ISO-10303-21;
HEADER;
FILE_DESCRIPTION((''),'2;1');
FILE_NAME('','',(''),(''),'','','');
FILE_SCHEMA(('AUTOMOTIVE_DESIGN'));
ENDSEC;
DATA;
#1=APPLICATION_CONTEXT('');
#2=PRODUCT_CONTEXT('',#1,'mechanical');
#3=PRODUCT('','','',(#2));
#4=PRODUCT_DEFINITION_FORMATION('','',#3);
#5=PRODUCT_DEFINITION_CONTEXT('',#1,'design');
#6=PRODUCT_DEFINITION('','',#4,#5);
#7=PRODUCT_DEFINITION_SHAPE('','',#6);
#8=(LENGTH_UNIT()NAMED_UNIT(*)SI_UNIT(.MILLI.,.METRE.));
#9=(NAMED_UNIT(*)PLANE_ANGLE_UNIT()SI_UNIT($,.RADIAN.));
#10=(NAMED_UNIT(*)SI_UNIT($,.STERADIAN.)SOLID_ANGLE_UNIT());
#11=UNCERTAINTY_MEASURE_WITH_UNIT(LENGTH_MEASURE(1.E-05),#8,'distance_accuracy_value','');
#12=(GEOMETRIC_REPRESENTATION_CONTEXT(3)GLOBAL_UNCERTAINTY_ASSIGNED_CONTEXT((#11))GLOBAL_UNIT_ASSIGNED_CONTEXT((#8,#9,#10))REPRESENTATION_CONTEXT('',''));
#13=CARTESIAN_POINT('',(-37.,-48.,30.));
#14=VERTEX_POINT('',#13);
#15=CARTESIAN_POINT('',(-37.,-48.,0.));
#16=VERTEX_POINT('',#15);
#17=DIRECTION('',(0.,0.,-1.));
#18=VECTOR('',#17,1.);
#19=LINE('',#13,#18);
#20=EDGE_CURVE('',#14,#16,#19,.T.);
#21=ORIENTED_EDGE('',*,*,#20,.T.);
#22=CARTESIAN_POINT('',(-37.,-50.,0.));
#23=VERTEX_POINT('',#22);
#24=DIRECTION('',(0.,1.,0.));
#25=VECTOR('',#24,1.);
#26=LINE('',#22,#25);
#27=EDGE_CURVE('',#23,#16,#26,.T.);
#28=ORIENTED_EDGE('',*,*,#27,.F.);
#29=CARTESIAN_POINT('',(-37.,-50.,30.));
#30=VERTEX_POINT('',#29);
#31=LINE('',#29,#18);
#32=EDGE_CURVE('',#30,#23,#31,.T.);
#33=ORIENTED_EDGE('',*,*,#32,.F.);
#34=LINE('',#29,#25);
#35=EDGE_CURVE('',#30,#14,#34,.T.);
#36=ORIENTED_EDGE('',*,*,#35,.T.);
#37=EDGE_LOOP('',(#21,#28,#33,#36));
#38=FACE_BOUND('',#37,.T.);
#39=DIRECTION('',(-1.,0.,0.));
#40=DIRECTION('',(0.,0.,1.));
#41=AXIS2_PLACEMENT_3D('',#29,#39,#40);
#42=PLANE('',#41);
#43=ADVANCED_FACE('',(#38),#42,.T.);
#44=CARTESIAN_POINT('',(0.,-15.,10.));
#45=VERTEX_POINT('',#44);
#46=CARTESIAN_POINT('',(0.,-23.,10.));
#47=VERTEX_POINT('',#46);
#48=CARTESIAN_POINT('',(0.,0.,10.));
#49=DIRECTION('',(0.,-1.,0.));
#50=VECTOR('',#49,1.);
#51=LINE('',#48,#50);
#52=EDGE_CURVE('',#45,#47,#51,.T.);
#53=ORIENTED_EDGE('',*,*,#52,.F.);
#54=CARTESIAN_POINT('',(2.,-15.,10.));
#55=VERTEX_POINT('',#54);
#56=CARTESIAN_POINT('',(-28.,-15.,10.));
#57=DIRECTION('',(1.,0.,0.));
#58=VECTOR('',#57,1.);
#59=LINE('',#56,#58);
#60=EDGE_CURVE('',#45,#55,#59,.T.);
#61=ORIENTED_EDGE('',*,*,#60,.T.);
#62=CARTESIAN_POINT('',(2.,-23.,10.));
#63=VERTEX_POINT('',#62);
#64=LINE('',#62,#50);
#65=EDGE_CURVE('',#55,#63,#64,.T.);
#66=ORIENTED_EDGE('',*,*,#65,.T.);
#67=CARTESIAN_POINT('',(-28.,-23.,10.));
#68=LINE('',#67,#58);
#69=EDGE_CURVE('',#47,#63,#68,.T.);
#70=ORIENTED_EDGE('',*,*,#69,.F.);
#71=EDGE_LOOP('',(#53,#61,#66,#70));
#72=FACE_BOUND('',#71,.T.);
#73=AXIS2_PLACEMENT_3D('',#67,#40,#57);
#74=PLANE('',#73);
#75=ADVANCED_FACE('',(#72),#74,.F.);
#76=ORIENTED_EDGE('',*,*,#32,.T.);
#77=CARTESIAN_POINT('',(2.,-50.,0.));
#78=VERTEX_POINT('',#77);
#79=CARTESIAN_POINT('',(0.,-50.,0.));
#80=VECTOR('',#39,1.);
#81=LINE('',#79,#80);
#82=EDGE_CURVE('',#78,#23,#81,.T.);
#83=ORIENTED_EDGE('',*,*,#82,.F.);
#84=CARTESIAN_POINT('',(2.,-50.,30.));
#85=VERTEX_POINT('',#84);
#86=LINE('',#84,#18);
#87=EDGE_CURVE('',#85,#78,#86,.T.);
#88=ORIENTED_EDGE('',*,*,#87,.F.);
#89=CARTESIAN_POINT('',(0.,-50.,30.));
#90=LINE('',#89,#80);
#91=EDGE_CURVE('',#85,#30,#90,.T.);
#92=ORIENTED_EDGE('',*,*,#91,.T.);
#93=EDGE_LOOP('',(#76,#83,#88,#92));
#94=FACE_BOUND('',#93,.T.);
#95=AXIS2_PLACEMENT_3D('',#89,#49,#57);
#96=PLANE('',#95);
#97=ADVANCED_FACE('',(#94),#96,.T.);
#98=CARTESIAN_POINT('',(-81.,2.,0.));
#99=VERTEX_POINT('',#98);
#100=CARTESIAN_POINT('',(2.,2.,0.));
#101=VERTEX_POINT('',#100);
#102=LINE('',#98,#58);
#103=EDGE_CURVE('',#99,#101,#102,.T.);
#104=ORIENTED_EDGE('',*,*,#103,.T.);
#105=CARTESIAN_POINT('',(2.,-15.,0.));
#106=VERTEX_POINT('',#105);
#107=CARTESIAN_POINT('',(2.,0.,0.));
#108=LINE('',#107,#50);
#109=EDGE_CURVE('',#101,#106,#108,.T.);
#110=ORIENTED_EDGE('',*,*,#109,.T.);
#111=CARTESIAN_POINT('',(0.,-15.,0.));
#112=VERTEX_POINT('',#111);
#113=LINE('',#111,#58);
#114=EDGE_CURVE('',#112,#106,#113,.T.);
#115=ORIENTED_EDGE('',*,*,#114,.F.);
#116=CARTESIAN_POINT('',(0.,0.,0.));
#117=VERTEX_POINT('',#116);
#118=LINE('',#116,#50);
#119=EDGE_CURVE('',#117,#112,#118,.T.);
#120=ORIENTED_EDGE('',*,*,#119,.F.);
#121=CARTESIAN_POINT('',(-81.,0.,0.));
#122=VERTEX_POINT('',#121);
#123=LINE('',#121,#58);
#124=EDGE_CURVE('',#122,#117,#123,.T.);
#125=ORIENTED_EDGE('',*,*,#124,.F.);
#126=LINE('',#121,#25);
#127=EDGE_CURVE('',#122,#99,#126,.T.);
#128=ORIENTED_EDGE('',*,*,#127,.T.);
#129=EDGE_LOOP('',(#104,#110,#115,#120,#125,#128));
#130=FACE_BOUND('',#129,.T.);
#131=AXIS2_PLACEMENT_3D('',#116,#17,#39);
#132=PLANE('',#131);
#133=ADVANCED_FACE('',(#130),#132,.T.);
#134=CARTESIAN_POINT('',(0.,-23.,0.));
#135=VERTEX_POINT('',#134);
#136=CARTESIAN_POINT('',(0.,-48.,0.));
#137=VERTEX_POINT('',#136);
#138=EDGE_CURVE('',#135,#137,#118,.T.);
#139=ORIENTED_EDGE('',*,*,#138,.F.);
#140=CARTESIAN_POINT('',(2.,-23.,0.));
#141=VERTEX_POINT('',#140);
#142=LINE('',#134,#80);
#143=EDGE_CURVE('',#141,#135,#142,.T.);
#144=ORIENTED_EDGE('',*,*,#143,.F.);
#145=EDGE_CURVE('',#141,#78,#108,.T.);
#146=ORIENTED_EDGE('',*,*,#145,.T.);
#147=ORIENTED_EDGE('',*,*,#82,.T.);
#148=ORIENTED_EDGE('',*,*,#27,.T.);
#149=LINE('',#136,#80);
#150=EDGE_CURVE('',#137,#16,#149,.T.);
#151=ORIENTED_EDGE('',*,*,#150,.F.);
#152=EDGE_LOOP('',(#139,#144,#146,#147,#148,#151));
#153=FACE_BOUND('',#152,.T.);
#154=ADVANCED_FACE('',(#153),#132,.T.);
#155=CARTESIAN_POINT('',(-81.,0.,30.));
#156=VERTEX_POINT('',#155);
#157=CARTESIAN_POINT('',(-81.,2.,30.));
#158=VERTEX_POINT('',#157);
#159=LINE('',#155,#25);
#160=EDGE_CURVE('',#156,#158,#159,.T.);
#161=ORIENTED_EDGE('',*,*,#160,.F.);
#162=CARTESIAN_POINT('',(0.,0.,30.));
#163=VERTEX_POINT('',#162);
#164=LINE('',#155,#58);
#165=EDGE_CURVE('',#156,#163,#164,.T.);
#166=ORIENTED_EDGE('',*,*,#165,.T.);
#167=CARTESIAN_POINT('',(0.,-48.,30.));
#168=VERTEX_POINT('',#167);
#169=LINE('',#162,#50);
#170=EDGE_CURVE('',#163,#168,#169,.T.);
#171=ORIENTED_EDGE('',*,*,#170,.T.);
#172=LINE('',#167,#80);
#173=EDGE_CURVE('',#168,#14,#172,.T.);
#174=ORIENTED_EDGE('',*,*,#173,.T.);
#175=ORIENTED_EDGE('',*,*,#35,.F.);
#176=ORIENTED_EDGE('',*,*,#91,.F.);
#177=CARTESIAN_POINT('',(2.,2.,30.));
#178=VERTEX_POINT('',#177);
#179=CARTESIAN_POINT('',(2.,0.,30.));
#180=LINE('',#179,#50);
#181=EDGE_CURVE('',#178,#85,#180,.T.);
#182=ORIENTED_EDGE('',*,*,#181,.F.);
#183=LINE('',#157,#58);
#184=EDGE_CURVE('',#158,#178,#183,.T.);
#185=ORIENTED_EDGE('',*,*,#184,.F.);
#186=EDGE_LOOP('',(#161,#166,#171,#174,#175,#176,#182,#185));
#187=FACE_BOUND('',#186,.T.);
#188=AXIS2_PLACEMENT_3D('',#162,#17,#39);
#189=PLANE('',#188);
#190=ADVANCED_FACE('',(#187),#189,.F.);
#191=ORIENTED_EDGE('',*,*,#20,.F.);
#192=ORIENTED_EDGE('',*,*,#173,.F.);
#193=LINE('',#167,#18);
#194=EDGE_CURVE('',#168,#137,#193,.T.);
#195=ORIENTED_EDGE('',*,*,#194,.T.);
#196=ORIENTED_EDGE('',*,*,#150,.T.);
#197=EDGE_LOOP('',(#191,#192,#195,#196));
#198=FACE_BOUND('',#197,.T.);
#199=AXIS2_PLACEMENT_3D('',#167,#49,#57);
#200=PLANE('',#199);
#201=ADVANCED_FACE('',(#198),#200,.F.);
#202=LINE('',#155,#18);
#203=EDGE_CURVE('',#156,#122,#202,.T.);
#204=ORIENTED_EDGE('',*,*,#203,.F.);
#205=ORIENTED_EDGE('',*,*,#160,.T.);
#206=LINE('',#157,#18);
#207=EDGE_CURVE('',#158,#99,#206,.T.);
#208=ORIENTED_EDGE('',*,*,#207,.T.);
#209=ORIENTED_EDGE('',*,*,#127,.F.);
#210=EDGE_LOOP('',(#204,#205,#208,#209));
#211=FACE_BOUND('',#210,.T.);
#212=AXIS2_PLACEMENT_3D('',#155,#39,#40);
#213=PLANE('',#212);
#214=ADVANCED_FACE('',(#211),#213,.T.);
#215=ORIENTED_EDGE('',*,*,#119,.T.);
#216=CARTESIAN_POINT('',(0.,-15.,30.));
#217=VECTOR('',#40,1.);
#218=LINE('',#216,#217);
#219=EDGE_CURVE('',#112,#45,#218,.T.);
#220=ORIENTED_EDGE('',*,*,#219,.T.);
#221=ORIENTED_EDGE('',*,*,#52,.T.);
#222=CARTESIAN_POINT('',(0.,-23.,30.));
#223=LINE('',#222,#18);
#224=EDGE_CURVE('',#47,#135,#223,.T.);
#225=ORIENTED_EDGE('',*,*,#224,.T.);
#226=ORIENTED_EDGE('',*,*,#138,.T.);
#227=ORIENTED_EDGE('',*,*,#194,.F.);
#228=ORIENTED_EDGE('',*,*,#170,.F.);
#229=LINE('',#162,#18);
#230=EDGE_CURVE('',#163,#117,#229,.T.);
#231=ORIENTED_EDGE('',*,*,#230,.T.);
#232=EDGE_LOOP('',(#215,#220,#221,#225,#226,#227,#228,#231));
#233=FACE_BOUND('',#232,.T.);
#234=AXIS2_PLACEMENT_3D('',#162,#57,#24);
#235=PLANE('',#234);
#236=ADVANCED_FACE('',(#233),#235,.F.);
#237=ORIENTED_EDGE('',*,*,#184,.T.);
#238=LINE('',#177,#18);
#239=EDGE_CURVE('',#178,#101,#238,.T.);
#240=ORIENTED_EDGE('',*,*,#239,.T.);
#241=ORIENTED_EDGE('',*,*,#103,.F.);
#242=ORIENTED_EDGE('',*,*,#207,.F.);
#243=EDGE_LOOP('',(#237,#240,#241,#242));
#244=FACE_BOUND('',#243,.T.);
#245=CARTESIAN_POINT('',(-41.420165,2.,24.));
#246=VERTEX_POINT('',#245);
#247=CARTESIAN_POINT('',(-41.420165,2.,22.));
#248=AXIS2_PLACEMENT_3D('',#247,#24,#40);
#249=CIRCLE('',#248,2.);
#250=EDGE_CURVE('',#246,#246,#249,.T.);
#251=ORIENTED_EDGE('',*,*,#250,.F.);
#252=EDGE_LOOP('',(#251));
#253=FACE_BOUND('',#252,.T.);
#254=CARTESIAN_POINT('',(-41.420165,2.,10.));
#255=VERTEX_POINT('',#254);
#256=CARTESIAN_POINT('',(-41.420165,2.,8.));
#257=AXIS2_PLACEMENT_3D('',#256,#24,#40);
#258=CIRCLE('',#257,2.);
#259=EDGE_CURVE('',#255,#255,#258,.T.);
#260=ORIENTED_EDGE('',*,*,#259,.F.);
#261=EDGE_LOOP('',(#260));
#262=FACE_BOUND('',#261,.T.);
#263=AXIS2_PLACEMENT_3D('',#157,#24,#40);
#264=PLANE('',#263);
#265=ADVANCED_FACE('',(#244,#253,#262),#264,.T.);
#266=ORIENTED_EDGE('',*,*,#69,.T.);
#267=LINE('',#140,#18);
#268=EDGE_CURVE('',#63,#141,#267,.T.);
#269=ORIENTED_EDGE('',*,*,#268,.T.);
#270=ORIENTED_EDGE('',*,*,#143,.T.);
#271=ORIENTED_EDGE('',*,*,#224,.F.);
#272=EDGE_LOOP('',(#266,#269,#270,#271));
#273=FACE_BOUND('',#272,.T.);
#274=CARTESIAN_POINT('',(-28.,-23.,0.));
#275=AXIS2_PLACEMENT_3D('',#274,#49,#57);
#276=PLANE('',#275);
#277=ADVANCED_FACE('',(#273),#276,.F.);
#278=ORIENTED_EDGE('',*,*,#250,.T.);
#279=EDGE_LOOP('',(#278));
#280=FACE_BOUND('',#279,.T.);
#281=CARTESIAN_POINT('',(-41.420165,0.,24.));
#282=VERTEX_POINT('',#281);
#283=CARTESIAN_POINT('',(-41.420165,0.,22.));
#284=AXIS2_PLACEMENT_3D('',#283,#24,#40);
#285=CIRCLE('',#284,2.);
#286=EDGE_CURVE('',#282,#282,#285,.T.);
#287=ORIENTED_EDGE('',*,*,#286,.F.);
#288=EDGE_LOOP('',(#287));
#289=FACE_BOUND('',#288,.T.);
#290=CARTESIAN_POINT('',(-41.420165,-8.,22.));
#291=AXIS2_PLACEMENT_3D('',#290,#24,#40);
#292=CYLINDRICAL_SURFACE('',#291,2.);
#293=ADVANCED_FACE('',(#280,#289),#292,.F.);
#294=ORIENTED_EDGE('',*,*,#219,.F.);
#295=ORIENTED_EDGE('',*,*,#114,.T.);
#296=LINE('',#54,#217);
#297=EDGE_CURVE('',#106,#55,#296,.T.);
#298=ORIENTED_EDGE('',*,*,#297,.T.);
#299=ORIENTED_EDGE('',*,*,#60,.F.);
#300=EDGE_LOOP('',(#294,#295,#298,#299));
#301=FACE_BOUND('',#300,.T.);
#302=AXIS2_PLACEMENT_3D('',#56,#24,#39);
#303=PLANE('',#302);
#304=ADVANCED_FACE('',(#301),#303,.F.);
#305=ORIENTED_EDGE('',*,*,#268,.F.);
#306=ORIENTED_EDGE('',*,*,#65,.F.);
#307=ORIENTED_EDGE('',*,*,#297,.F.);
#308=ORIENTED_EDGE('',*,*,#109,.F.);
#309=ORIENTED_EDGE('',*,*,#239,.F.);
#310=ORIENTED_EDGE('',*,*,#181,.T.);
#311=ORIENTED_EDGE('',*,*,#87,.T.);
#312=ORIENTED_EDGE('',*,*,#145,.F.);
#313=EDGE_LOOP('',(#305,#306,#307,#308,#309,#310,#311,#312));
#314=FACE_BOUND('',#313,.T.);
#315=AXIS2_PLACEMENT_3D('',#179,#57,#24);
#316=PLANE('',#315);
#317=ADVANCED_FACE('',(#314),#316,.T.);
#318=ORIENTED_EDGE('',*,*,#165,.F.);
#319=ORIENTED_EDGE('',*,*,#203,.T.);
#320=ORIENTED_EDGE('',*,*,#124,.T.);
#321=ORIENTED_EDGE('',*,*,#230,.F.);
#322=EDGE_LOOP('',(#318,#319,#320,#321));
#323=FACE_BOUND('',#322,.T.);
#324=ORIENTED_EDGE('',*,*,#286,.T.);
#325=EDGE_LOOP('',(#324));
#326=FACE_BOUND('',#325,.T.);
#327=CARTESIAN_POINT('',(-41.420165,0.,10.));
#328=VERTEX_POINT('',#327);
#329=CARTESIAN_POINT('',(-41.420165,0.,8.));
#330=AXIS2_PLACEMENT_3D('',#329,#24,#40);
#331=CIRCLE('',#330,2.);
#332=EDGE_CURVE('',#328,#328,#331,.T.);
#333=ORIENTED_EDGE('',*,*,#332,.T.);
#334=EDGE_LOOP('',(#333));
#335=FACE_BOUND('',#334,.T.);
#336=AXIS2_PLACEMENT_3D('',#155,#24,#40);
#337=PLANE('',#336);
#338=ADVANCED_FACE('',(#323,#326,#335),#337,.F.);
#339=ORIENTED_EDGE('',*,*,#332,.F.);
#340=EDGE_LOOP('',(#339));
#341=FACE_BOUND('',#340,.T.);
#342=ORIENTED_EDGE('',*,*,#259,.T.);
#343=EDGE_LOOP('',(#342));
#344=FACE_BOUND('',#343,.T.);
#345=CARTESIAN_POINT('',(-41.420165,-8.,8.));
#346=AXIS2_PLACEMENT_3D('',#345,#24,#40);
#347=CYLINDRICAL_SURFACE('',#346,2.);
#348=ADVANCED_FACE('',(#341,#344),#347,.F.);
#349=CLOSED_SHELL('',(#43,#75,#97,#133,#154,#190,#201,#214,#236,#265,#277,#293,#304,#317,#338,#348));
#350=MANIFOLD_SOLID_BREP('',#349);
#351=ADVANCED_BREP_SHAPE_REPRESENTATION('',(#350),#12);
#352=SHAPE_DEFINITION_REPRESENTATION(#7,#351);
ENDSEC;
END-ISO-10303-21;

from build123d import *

# Parameters (mm, degrees)
EXTRUDE_1_DEPTH     = 30
SKETCH_3_W          = 10
SKETCH_3_H          = 8
CUT_EXTRUDE_1_DEPTH = 30
SKETCH_4_R          = 2
CUT_EXTRUDE_2_DEPTH = 10


with BuildPart() as part:
    # 草图2 → 拉伸-薄壁1 (new body)
    with BuildSketch(Plane.XY):
        Polygon((-81, 0), (0, 0), (0, -48), (-37, -48), (-37, -50), (2, -50), (2, 2), (-81, 2), align=None)
    extrude(amount=EXTRUDE_1_DEPTH)

    # 草图3 → 切除-拉伸1 (cut)
    with BuildSketch(Plane(origin=(2, 0, 0), x_dir=(0, 0, -1), z_dir=(1, 0, 0))):
        with Locations((-5, -19)):
            Rectangle(SKETCH_3_W, SKETCH_3_H)
    extrude(amount=-CUT_EXTRUDE_1_DEPTH, mode=Mode.SUBTRACT)

    # 草图4 → 切除-拉伸2 (cut)
    with BuildSketch(Plane(origin=(0, 2, 0), x_dir=(1, 0, 0), z_dir=(0, 1, 0))):
        with Locations(Location((-41.420164834, -8, 0), (0, 0, 270))):
            Circle(SKETCH_4_R)
        with Locations(Location((-41.420164834, -22, 0), (0, 0, 270))):
            Circle(SKETCH_4_R)
    extrude(amount=-CUT_EXTRUDE_2_DEPTH, mode=Mode.SUBTRACT)


solid = part.part
